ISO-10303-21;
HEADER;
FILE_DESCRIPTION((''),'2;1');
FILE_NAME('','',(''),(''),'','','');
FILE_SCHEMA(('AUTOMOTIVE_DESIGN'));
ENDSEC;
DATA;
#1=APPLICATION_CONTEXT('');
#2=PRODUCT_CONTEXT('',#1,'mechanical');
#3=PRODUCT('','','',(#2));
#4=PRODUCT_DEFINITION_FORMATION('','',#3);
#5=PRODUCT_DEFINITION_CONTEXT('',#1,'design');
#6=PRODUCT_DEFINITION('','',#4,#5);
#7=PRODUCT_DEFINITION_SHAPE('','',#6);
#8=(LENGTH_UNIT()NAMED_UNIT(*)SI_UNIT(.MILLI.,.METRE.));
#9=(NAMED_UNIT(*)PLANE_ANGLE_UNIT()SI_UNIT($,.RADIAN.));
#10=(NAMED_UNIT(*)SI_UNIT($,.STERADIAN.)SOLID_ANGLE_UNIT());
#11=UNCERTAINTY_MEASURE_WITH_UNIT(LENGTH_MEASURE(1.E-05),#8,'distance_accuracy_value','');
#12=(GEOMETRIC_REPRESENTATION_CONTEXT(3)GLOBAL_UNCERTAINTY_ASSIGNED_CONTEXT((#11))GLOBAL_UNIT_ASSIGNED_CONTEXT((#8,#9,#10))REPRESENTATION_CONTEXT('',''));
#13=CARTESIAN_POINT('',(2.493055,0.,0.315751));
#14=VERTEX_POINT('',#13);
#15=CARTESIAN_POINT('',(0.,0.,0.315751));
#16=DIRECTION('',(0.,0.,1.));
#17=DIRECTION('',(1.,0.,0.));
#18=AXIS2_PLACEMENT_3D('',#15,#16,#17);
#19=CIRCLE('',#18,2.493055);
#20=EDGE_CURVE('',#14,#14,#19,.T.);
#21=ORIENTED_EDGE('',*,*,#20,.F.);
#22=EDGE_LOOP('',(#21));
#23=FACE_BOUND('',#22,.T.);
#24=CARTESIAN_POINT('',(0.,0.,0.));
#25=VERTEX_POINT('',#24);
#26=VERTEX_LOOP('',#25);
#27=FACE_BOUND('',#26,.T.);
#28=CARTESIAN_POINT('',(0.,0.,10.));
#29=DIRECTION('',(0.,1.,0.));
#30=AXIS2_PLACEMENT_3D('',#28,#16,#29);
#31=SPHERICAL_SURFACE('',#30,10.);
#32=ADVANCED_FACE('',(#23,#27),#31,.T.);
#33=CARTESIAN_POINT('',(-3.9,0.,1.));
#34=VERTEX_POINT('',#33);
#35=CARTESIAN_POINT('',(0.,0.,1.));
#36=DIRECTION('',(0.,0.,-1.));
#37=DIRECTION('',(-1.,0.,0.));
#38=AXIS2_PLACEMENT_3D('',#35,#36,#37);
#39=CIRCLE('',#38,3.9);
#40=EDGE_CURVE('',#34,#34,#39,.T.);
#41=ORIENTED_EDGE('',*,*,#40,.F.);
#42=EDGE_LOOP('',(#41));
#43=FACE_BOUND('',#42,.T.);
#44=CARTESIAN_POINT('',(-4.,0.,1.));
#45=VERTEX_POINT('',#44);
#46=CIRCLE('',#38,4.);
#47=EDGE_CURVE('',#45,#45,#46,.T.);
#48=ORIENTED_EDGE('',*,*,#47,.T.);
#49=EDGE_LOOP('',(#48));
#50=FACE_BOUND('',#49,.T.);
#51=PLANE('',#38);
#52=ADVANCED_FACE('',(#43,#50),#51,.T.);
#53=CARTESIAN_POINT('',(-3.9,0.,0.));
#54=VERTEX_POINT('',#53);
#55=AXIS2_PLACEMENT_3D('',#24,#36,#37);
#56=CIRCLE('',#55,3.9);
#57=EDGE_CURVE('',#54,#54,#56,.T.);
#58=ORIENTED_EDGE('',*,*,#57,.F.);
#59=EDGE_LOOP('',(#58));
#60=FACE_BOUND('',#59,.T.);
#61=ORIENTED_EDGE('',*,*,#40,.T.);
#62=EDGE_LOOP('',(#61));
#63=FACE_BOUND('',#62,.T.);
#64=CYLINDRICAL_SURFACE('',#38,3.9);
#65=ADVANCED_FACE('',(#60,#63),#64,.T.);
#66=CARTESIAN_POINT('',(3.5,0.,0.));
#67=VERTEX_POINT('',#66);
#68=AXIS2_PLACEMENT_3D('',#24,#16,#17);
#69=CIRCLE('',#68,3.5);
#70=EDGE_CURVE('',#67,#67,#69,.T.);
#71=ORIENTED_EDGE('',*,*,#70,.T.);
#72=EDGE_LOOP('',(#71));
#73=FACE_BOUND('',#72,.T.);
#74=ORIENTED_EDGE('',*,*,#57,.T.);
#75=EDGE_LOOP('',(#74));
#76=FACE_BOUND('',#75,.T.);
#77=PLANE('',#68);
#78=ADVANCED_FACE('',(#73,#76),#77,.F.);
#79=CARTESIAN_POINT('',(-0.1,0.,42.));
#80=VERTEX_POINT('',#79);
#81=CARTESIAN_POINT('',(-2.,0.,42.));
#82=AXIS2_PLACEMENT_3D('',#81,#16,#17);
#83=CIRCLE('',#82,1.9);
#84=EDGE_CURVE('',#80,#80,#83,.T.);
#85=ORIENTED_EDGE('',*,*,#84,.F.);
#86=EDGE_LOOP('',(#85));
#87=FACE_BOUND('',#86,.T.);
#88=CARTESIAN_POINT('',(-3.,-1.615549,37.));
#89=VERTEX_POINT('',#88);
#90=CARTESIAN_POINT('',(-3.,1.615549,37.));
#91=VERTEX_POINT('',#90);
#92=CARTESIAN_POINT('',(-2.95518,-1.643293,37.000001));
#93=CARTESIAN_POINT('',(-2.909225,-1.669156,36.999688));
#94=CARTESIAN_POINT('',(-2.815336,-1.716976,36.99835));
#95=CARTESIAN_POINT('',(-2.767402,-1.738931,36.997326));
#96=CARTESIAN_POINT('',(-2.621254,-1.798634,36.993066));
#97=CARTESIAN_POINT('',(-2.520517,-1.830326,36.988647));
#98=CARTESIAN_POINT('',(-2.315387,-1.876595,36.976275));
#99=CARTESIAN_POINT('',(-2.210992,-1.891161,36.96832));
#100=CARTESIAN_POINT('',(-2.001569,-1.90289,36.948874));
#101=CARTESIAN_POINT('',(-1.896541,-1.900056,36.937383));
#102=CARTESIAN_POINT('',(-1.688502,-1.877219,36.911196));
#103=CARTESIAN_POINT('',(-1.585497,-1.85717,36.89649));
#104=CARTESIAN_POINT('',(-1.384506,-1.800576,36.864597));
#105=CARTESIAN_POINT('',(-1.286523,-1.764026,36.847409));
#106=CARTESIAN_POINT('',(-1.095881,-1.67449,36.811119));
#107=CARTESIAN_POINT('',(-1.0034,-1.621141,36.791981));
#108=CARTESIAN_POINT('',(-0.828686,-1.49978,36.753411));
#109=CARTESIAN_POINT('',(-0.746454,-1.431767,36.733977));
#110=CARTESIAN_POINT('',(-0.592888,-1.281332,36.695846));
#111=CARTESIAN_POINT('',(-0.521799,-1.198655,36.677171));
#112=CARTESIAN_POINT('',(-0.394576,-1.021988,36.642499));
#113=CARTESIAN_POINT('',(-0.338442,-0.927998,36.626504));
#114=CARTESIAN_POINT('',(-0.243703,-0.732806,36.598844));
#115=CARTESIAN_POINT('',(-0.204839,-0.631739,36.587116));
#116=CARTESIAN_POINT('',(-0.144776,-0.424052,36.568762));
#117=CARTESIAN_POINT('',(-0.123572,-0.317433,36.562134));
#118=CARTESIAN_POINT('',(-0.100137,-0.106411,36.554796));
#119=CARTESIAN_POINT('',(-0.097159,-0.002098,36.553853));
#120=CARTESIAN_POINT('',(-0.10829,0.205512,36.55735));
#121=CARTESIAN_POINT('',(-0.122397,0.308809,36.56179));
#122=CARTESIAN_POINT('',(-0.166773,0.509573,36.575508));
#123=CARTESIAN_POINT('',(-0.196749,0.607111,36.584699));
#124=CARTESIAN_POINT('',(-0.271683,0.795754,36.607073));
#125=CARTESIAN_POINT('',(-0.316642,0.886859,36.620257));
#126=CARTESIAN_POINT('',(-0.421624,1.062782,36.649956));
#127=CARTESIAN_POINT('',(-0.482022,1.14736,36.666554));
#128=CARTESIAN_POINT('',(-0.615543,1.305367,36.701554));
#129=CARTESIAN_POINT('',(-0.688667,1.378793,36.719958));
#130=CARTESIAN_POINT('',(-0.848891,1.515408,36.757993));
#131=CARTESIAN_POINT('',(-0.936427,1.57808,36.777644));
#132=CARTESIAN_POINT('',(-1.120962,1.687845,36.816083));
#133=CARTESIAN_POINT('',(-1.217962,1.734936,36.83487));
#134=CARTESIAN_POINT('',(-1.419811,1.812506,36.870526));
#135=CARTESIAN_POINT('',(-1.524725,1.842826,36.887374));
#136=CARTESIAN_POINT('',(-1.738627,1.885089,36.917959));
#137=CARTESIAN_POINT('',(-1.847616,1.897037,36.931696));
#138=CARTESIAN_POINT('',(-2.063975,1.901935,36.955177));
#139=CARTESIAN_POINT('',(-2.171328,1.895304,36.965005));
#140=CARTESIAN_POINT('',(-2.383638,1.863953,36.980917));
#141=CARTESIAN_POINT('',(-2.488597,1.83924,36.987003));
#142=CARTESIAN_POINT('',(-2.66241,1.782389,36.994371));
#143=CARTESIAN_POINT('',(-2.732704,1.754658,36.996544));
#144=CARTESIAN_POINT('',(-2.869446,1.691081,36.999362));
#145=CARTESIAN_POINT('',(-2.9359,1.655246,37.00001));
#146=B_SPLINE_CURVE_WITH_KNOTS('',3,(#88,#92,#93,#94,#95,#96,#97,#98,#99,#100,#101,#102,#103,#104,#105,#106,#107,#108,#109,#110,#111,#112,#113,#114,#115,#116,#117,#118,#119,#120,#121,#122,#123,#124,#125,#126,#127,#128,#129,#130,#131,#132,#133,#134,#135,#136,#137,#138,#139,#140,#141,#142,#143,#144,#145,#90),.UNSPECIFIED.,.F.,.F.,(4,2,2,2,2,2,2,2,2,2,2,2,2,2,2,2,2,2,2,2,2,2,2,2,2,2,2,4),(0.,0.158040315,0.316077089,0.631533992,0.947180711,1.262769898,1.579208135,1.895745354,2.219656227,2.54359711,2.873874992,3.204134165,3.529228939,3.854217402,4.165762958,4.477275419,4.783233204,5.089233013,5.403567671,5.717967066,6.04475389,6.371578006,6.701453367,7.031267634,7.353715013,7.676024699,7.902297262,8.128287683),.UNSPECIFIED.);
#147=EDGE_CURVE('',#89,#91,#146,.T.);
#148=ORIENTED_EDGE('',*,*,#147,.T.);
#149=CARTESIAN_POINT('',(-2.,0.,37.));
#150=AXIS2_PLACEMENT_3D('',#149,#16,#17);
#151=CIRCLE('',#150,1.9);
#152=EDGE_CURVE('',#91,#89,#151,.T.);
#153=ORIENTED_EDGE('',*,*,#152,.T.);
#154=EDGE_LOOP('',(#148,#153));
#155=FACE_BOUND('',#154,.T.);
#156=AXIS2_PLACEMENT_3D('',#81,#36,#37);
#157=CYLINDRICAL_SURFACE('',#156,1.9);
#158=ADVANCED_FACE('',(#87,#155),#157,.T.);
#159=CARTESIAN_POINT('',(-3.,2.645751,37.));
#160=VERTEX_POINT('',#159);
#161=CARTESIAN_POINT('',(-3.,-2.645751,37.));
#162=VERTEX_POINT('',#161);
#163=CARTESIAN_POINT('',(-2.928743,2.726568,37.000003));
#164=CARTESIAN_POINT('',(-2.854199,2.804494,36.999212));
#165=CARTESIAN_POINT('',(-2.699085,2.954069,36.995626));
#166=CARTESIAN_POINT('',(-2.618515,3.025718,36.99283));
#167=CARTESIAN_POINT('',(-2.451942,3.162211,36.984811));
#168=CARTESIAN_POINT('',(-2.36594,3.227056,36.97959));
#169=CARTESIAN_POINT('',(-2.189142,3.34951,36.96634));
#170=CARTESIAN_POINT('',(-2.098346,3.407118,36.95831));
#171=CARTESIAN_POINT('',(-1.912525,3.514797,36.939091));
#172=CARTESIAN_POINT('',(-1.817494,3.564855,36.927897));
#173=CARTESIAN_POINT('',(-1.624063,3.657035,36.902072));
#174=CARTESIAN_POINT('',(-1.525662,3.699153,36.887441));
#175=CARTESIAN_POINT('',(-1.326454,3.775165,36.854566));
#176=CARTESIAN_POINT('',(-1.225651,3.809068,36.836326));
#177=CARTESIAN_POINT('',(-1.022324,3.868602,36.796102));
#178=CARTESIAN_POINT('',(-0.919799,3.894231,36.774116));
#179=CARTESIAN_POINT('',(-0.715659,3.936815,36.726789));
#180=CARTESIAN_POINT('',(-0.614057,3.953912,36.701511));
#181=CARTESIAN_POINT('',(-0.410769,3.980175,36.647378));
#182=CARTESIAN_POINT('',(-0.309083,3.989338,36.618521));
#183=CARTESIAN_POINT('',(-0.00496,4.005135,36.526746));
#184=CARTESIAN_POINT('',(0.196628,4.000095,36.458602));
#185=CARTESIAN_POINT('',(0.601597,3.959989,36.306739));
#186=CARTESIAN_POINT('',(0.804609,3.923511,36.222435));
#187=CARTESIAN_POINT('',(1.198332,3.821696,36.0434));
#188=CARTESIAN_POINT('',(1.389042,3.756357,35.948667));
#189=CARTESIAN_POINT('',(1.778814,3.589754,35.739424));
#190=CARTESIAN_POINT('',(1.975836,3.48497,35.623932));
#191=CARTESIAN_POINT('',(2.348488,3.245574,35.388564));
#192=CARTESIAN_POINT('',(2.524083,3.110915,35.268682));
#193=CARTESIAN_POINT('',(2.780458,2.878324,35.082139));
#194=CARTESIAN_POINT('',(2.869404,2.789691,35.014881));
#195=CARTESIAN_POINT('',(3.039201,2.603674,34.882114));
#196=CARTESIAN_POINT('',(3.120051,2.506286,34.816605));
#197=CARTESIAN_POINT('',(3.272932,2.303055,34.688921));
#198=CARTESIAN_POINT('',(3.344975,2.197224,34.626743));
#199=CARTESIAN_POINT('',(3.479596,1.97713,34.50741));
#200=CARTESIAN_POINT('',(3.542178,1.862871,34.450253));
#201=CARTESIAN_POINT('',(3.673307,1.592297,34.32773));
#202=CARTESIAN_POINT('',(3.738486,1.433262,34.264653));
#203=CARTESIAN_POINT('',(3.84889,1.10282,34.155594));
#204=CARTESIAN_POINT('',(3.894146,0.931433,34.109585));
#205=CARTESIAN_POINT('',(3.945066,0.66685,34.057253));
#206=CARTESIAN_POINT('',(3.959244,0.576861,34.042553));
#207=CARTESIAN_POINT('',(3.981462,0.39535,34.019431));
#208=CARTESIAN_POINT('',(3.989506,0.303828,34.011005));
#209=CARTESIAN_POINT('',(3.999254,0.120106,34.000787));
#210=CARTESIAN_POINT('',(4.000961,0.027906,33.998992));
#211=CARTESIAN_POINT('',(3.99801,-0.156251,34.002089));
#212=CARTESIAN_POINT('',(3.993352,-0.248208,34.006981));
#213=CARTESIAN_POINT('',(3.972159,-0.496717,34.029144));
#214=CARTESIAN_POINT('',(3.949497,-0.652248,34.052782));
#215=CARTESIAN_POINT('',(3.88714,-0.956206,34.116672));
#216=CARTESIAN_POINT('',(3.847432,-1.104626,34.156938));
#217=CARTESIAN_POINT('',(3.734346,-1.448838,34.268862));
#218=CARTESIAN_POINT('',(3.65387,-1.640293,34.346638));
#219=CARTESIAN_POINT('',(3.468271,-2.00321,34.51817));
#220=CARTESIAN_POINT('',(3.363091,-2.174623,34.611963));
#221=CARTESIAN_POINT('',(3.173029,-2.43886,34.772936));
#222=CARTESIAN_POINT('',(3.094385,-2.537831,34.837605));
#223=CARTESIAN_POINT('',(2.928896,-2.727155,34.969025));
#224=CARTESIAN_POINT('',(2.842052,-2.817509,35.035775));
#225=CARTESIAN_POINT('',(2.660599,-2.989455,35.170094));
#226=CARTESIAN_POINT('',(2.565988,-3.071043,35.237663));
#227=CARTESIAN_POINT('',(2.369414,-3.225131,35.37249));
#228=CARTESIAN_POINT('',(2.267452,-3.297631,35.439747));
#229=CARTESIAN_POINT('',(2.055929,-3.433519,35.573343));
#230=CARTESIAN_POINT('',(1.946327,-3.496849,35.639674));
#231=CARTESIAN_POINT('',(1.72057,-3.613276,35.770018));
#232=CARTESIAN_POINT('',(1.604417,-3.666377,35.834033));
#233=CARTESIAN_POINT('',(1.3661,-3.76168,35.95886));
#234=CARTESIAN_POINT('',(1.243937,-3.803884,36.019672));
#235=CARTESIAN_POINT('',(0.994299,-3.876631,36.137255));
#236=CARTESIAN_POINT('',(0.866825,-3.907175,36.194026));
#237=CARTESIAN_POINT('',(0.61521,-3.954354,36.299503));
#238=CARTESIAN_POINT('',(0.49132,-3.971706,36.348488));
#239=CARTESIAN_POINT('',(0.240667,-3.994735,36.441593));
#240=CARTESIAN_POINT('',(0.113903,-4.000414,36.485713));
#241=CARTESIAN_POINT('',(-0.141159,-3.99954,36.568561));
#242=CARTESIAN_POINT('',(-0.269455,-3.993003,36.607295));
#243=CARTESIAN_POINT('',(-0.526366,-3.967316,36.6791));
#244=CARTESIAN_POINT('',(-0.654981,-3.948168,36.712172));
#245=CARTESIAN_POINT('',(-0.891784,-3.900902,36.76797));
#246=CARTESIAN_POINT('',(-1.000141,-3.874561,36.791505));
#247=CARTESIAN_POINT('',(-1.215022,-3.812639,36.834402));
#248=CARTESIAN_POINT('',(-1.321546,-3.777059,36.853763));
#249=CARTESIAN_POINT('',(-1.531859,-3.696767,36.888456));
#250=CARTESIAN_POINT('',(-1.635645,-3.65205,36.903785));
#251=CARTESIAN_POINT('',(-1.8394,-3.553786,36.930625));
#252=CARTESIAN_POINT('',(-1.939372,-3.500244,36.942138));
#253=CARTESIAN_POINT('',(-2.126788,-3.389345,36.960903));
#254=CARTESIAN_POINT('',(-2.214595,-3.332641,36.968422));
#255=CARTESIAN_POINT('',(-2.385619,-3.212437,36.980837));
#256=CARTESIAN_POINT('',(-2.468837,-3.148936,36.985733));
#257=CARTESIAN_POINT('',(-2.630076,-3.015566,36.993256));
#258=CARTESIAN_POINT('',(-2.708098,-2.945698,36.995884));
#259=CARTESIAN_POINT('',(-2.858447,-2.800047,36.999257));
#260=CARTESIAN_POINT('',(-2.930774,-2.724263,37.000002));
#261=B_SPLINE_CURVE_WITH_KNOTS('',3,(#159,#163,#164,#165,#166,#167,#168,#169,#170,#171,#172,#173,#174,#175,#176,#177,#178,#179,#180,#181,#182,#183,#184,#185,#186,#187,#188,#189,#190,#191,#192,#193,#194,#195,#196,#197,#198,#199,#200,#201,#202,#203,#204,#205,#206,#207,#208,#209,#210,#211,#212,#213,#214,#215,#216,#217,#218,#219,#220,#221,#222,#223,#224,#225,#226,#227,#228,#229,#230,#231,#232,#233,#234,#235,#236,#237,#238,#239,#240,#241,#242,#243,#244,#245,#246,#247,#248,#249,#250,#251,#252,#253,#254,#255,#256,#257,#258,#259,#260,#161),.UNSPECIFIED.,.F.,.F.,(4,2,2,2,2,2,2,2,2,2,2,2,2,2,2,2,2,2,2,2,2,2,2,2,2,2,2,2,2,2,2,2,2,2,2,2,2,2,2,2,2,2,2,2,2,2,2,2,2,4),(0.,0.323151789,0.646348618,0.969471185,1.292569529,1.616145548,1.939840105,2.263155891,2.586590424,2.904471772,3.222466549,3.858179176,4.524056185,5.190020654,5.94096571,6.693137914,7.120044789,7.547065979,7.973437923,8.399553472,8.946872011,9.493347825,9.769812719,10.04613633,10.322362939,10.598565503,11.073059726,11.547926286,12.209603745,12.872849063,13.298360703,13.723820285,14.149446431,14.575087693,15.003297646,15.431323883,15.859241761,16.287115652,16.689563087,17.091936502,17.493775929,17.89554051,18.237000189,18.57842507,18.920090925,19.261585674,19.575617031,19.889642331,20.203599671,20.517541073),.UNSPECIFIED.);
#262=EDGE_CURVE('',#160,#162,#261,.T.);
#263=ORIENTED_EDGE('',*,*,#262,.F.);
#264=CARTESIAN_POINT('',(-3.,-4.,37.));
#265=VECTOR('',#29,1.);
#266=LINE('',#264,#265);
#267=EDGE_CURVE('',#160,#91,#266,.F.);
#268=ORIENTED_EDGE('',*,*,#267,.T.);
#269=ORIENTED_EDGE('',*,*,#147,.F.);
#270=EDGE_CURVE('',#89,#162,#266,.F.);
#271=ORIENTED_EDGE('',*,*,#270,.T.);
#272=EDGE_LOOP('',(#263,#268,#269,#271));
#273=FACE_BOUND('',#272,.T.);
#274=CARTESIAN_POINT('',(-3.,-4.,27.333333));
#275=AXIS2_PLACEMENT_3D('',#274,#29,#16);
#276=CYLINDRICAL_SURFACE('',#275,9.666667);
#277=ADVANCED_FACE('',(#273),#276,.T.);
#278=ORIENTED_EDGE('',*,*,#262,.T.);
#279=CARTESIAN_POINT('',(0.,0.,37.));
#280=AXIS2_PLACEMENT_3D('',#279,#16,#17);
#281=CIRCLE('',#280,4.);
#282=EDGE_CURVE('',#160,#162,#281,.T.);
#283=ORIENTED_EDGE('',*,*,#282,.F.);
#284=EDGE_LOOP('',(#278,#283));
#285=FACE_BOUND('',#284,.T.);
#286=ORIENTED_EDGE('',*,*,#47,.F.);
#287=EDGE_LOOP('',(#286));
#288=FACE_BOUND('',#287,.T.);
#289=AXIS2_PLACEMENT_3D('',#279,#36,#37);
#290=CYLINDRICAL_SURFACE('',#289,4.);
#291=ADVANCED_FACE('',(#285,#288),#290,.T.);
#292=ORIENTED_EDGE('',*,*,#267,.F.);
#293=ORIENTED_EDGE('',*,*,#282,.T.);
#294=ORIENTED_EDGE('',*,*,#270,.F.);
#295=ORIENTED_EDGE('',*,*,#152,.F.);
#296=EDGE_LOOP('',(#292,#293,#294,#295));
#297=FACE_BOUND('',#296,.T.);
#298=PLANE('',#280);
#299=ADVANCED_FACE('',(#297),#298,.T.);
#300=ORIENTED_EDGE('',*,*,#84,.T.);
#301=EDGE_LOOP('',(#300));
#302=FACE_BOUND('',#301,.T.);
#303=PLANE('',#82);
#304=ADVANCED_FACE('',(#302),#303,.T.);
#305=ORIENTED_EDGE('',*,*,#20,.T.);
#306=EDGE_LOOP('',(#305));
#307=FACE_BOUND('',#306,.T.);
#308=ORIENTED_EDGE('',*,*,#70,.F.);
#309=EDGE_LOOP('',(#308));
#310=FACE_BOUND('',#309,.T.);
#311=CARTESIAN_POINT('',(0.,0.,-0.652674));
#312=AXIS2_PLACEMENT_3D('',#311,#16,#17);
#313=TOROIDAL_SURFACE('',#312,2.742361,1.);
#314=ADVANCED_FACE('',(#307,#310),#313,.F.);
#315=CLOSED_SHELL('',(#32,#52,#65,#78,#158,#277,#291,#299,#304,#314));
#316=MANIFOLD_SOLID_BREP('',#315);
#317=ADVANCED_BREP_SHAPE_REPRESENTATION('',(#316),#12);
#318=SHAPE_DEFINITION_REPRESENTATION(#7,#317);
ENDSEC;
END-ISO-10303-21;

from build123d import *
from build123d.topology import SkipClean

# Parameters (mm, degrees)
SKETCH_1_R                  = 4
EXTRUDE_1_DEPTH             = 37
SKETCH_2_R                  = 4
SKETCH_2_R_2                = 3.9
CUT_EXTRUDE_1_DEPTH         = 1
CUT_EXTRUDE_2_DEPTH         = 38.429934544
CUT_EXTRUDE_2_DEPTH_BACK    = 38.429934544
EXTRUDE_2_REACH             = 39.43
SKETCH_4_R                  = 1.9
EXTRUDE_2_DIRECTION_2_DEPTH = 5


with BuildPart() as part:
    # 草图1 → 凸台-拉伸1 (new body)
    with BuildSketch(Plane.XY):
        Circle(SKETCH_1_R)
    extrude(amount=EXTRUDE_1_DEPTH)

    # 草图2 → 切除-拉伸1 (cut)
    with BuildSketch(Plane(origin=(0, 0, 0), x_dir=(-1, 0, 0), z_dir=(0, 0, -1))):
        Circle(SKETCH_2_R)
        Circle(SKETCH_2_R_2, mode=Mode.SUBTRACT)
    extrude(amount=-CUT_EXTRUDE_1_DEPTH, mode=Mode.SUBTRACT)

    # 草图3 → 切除-拉伸2 (cut, two sides: drawn at the far end of the back side and taken through both)
    with BuildSketch(Plane(origin=(0, 0, 0), x_dir=(1, 0, 0), z_dir=(0, 1, 0)).offset(-CUT_EXTRUDE_2_DEPTH_BACK)):
        with BuildLine():
            Line((-3, -37), (4, -37))
            Line((4, -37), (4, -34))
            ThreePointArc((4, -34), (0.807886553, -36.218401957), (-3, -37))
        make_face()
    extrude(amount=CUT_EXTRUDE_2_DEPTH + CUT_EXTRUDE_2_DEPTH_BACK, mode=Mode.SUBTRACT)

    # 草图4 → 凸台-拉伸2 (add, up to next)
    with BuildSketch(Plane.XY.offset(37), mode=Mode.PRIVATE) as extrude_2_sk1:
        with Locations((-2, 0)):
            Circle(SKETCH_4_R)
    extrude_2_tool1 = extrude(extrude_2_sk1.sketch, amount=-EXTRUDE_2_REACH, mode=Mode.PRIVATE) - part.part
    add(extrude_2_tool1.solids().sort_by_distance((-2, 0, 37))[0])

    # 草图4 → 凸台-拉伸2 direction 2 (add)
    with SkipClean():  # the faces are left unmerged after this step: merging them gives an invalid solid
        with BuildSketch(Plane.XY.offset(37)):
            with Locations((-2, 0)):
                Circle(SKETCH_4_R)
        extrude(amount=EXTRUDE_2_DIRECTION_2_DEPTH)
    add(part.part.scale(1), mode=Mode.REPLACE)  # the faces are merged on a copy

    # 草图5 → 切除-旋转3 (revolve, cut)
    with BuildSketch(Plane(origin=(0, 0, 0), x_dir=(0, 0, -1), z_dir=(1, 0, 0))):
        with BuildLine():
            Line((0, 3.5), (0.5, 3.5))
            Line((0.5, 3.5), (0.5, 0))
            Line((0.5, 0), (0, 0))
            ThreePointArc((0, 0), (-0.079251839, 1.256485548), (-0.315751187, 2.493055338))
            ThreePointArc((-0.315751187, 2.493055338), (-0.301514199, 3.041568933), (0, 3.5))
        make_face()
    revolve(axis=Axis((0, 0, 10), (0, 0, -1)), mode=Mode.SUBTRACT)


solid = part.part
